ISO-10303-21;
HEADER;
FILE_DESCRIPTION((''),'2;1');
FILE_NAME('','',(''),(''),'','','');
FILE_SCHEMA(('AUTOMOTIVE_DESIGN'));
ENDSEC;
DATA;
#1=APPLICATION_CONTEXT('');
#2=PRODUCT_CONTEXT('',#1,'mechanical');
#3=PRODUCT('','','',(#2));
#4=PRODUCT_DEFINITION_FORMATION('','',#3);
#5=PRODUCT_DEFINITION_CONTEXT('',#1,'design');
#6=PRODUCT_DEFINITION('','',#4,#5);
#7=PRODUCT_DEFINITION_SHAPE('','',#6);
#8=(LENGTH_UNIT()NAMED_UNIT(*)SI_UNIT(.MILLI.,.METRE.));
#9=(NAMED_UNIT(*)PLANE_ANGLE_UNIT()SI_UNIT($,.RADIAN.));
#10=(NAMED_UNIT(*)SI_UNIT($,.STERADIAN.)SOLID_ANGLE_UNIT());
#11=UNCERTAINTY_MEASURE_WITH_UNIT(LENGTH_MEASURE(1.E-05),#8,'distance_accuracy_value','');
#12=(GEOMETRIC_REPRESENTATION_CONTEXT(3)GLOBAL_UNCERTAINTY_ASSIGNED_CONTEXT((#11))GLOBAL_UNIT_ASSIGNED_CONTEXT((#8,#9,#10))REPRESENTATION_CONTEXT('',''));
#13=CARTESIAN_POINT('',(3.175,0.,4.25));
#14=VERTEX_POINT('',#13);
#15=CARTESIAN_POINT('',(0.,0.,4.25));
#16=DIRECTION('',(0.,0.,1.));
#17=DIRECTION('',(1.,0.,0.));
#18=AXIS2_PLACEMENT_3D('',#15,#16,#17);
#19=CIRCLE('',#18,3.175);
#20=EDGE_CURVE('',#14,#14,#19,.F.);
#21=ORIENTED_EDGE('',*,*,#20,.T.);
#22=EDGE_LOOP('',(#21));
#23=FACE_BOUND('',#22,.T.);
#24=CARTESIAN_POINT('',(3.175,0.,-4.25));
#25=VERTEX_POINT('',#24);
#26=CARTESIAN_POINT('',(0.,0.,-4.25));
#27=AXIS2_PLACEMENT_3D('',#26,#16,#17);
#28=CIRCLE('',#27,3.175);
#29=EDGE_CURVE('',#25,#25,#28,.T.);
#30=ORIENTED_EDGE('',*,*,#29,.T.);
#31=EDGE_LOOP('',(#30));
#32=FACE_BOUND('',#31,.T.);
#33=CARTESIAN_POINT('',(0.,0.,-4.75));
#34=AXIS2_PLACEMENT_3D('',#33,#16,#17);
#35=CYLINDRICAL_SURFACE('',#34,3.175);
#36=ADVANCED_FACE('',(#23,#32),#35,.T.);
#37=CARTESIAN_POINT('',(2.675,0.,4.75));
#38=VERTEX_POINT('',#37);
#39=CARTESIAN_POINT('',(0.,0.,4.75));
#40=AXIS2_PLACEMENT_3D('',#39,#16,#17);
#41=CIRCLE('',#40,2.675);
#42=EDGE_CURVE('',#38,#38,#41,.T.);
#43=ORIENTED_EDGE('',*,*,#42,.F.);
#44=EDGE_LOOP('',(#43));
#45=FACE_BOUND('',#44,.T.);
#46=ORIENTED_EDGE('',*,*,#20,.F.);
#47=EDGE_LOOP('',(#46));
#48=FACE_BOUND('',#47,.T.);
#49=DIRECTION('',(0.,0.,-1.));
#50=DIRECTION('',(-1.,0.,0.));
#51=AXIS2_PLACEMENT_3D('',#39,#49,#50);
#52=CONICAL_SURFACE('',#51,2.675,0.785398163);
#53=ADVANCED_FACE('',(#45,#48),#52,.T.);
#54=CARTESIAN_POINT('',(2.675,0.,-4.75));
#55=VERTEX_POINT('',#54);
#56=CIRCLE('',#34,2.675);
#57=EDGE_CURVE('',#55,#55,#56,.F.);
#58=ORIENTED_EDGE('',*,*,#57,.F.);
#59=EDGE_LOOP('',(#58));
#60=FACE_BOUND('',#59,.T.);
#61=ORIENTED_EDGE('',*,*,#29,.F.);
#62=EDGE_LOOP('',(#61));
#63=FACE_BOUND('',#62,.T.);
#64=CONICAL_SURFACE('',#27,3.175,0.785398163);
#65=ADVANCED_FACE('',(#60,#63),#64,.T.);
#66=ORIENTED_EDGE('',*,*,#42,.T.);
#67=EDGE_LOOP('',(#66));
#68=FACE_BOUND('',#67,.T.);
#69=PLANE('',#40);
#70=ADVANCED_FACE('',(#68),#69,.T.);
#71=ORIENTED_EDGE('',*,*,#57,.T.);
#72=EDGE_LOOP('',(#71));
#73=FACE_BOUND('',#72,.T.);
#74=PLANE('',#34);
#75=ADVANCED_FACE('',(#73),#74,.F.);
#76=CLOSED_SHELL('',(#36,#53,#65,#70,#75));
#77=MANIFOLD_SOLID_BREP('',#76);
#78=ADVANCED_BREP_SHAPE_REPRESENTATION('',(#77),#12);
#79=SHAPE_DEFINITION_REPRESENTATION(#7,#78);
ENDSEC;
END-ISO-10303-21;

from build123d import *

# Parameters (mm, degrees)
BOSS_EXTRUDE1_DEPTH      = 4.75
BOSS_EXTRUDE1_DEPTH_BACK = 4.75
SKETCH1_R                = 3.175
CHAMFER1_SIZE            = 0.5


with BuildPart() as part:
    # Sketch1 → Boss-Extrude1 (new, two sides: drawn at the far end of the back side and taken through both)
    with BuildSketch(Plane.XY.offset(-BOSS_EXTRUDE1_DEPTH_BACK)):
        Circle(SKETCH1_R)
    extrude(amount=BOSS_EXTRUDE1_DEPTH + BOSS_EXTRUDE1_DEPTH_BACK)

    # Chamfer1
    chamfer1_edges = [part.edges().sort_by_distance(p)[0] for p in [
        (-3.175, 0, -4.75),
        (-3.175, 0, 4.75),
    ]]
    chamfer(chamfer1_edges, length=CHAMFER1_SIZE)


solid = part.part
